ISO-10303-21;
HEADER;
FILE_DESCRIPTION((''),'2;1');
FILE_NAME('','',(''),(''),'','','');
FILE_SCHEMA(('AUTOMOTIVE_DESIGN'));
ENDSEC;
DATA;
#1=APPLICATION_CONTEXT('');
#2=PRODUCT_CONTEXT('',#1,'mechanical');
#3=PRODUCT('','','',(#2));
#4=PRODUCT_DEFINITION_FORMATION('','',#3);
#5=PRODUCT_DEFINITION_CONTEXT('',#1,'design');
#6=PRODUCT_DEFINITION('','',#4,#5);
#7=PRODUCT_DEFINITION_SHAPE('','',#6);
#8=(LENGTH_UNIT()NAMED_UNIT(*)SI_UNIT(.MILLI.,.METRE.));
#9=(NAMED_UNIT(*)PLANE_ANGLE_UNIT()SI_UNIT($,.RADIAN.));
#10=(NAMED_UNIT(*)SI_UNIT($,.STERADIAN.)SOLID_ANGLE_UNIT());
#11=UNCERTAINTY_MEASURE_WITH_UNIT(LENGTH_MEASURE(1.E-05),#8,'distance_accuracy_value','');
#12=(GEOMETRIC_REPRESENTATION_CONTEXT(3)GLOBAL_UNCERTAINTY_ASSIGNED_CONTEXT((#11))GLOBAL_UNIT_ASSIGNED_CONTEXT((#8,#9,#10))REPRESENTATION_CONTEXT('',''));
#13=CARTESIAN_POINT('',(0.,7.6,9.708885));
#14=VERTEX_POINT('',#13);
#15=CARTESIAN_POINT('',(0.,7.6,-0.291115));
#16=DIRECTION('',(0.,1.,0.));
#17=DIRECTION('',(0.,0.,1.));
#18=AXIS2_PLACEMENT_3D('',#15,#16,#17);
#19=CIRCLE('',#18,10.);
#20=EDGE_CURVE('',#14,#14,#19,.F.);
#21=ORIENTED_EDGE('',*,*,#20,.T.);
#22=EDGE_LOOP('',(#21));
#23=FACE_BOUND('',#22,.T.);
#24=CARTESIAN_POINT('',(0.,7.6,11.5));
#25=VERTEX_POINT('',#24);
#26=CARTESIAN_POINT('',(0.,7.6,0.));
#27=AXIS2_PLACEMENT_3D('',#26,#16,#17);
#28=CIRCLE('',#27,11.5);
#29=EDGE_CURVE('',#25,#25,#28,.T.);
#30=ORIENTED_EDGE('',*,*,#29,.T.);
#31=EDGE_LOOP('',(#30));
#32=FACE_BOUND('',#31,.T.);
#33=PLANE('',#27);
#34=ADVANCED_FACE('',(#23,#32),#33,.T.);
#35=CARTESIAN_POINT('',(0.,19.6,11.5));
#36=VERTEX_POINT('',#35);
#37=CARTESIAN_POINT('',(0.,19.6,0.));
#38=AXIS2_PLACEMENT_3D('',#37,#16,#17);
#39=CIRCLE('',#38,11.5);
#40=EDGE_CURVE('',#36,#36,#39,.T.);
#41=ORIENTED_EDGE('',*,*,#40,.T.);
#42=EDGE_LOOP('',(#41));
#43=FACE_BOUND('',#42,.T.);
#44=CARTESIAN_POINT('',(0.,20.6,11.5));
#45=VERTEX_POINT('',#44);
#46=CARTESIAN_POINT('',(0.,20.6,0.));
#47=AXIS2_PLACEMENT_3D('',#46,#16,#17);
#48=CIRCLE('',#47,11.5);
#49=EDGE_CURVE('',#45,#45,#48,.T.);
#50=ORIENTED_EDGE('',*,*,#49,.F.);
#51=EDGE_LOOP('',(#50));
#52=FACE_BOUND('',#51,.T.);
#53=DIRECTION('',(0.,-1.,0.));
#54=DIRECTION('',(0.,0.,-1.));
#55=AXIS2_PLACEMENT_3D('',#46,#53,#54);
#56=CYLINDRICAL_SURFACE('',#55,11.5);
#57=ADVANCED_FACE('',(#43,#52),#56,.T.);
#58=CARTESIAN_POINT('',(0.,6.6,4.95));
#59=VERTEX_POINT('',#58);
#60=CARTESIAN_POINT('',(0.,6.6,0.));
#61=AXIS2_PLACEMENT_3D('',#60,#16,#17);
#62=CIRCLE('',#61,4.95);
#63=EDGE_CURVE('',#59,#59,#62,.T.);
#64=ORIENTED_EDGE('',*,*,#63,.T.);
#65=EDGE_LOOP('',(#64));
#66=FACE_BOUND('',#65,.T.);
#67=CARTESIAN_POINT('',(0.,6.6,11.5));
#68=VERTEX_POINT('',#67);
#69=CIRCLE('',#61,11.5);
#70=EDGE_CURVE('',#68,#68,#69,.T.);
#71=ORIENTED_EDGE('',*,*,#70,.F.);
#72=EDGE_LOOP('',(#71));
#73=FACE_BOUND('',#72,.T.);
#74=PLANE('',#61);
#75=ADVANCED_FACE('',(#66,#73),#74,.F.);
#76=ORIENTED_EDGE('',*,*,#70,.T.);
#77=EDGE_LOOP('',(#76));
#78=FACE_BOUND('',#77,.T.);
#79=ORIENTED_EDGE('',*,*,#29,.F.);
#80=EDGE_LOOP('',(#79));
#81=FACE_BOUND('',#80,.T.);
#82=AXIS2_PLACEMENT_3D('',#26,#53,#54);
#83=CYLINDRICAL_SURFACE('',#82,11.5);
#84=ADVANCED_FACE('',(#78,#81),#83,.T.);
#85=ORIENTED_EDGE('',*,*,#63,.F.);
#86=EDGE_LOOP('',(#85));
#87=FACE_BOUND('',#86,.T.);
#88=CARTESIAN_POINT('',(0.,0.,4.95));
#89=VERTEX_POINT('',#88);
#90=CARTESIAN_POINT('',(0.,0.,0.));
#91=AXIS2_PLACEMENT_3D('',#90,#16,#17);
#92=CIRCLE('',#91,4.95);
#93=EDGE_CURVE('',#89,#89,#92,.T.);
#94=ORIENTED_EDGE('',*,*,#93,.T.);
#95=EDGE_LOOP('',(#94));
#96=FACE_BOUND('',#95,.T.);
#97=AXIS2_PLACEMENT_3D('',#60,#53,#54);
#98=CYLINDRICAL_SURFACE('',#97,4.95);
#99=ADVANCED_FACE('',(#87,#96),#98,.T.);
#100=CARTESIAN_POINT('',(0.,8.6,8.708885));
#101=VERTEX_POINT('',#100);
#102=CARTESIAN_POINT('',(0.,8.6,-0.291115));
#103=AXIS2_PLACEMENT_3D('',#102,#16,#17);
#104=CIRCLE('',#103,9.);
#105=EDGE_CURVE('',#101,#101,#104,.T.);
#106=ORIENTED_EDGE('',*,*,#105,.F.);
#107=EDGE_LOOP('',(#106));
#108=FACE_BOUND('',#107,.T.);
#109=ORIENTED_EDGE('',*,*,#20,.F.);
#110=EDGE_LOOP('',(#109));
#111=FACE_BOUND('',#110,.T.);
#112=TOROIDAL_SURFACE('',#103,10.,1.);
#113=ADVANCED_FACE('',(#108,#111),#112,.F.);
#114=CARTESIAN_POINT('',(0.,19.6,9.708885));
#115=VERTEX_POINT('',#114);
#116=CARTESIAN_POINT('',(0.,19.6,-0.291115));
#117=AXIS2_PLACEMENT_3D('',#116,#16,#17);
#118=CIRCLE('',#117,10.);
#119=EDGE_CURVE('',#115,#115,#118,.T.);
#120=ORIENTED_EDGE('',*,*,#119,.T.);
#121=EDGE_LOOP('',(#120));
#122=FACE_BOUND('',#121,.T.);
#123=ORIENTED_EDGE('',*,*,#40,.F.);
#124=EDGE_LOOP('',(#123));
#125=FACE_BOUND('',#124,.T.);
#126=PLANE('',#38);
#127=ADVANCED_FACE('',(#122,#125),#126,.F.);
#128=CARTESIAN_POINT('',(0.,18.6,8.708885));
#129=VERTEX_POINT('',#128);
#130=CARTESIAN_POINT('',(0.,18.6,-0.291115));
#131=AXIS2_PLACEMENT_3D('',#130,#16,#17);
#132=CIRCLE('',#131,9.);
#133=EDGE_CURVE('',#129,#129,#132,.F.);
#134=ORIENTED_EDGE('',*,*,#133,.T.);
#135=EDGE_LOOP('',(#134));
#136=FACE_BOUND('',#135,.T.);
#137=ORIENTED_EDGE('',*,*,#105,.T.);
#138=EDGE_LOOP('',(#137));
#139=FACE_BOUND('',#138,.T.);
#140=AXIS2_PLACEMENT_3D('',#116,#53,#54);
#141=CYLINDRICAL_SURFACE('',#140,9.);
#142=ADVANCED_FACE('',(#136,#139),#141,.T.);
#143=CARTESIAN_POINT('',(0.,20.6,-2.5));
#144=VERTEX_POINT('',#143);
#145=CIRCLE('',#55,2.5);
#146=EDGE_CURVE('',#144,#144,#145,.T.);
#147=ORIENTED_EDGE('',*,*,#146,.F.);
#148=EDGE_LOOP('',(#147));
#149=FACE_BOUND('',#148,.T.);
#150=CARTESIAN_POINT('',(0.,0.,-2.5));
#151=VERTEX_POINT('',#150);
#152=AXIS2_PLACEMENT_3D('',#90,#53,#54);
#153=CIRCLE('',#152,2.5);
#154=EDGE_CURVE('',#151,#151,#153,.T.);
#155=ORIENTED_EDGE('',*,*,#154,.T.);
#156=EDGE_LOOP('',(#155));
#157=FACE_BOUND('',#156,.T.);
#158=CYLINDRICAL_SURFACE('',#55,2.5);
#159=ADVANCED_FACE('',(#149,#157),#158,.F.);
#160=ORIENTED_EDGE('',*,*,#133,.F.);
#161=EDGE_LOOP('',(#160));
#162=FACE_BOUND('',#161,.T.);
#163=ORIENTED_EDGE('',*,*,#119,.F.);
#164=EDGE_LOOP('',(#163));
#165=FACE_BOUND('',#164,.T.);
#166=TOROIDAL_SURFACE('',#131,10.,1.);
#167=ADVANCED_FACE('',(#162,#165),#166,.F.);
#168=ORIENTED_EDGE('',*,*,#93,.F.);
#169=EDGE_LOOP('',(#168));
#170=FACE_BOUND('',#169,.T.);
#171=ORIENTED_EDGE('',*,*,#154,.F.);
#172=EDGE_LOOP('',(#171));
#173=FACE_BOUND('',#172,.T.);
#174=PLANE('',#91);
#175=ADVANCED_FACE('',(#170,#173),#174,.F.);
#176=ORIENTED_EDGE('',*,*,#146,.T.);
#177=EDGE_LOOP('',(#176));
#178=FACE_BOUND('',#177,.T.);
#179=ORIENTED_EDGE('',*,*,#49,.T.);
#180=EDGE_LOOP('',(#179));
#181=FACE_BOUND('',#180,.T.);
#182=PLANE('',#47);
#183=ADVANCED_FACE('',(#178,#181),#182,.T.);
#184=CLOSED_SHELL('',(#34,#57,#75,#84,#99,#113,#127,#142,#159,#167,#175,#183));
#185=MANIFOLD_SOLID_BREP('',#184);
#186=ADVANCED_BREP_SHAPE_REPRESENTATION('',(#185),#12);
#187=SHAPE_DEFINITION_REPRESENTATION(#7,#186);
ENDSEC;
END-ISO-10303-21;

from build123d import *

# Parameters (mm, degrees)
SKETCH1_R           = 4.95
BOSS_EXTRUDE2_DEPTH = 6.6
SKETCH4_R           = 11.5
BOSS_EXTRUDE3_DEPTH = 1
SKETCH5_R           = 9
BOSS_EXTRUDE4_DEPTH = 12
SKETCH6_R           = 11.5
BOSS_EXTRUDE5_DEPTH = 1
FILLET1_R           = 1
FILLET2_R           = 1
SKETCH7_R           = 2.5
CUT_EXTRUDE1_DEPTH  = 21.6


with BuildPart() as part:
    # Sketch1 → Boss-Extrude2 (new body)
    with BuildSketch(Plane(origin=(0, 0, 0), x_dir=(1, 0, 0), z_dir=(0, 1, 0))):
        Circle(SKETCH1_R)
    extrude(amount=BOSS_EXTRUDE2_DEPTH)

    # Sketch4 → Boss-Extrude3 (add)
    with BuildSketch(Plane(origin=(0, 6.6, 0), x_dir=(1, 0, 0), z_dir=(0, 1, 0))):
        Circle(SKETCH4_R)
    extrude(amount=BOSS_EXTRUDE3_DEPTH)

    # Sketch5 → Boss-Extrude4 (add)
    with BuildSketch(Plane(origin=(0, 7.6, 0), x_dir=(1, 0, 0), z_dir=(0, 1, 0))):
        with Locations((0, 0.291114712)):
            Circle(SKETCH5_R)
    extrude(amount=BOSS_EXTRUDE4_DEPTH)

    # Sketch6 → Boss-Extrude5 (add)
    with BuildSketch(Plane(origin=(0, 19.6, 0), x_dir=(1, 0, 0), z_dir=(0, 1, 0))):
        Circle(SKETCH6_R)
    extrude(amount=BOSS_EXTRUDE5_DEPTH)

    # Fillet1
    fillet1_edges = [part.edges().sort_by_distance(p)[0] for p in [
        (-9, 7.6, -0.291114712),
    ]]
    fillet(fillet1_edges, radius=FILLET1_R)

    # Fillet2
    fillet2_edges = [part.edges().sort_by_distance(p)[0] for p in [
        (-9, 19.6, -0.291114712),
    ]]
    fillet(fillet2_edges, radius=FILLET2_R)

    # Sketch7 → Cut-Extrude1 (cut, through all)
    with BuildSketch(Plane.XZ):
        Circle(SKETCH7_R)
    extrude(amount=-CUT_EXTRUDE1_DEPTH, mode=Mode.SUBTRACT)


solid = part.part
